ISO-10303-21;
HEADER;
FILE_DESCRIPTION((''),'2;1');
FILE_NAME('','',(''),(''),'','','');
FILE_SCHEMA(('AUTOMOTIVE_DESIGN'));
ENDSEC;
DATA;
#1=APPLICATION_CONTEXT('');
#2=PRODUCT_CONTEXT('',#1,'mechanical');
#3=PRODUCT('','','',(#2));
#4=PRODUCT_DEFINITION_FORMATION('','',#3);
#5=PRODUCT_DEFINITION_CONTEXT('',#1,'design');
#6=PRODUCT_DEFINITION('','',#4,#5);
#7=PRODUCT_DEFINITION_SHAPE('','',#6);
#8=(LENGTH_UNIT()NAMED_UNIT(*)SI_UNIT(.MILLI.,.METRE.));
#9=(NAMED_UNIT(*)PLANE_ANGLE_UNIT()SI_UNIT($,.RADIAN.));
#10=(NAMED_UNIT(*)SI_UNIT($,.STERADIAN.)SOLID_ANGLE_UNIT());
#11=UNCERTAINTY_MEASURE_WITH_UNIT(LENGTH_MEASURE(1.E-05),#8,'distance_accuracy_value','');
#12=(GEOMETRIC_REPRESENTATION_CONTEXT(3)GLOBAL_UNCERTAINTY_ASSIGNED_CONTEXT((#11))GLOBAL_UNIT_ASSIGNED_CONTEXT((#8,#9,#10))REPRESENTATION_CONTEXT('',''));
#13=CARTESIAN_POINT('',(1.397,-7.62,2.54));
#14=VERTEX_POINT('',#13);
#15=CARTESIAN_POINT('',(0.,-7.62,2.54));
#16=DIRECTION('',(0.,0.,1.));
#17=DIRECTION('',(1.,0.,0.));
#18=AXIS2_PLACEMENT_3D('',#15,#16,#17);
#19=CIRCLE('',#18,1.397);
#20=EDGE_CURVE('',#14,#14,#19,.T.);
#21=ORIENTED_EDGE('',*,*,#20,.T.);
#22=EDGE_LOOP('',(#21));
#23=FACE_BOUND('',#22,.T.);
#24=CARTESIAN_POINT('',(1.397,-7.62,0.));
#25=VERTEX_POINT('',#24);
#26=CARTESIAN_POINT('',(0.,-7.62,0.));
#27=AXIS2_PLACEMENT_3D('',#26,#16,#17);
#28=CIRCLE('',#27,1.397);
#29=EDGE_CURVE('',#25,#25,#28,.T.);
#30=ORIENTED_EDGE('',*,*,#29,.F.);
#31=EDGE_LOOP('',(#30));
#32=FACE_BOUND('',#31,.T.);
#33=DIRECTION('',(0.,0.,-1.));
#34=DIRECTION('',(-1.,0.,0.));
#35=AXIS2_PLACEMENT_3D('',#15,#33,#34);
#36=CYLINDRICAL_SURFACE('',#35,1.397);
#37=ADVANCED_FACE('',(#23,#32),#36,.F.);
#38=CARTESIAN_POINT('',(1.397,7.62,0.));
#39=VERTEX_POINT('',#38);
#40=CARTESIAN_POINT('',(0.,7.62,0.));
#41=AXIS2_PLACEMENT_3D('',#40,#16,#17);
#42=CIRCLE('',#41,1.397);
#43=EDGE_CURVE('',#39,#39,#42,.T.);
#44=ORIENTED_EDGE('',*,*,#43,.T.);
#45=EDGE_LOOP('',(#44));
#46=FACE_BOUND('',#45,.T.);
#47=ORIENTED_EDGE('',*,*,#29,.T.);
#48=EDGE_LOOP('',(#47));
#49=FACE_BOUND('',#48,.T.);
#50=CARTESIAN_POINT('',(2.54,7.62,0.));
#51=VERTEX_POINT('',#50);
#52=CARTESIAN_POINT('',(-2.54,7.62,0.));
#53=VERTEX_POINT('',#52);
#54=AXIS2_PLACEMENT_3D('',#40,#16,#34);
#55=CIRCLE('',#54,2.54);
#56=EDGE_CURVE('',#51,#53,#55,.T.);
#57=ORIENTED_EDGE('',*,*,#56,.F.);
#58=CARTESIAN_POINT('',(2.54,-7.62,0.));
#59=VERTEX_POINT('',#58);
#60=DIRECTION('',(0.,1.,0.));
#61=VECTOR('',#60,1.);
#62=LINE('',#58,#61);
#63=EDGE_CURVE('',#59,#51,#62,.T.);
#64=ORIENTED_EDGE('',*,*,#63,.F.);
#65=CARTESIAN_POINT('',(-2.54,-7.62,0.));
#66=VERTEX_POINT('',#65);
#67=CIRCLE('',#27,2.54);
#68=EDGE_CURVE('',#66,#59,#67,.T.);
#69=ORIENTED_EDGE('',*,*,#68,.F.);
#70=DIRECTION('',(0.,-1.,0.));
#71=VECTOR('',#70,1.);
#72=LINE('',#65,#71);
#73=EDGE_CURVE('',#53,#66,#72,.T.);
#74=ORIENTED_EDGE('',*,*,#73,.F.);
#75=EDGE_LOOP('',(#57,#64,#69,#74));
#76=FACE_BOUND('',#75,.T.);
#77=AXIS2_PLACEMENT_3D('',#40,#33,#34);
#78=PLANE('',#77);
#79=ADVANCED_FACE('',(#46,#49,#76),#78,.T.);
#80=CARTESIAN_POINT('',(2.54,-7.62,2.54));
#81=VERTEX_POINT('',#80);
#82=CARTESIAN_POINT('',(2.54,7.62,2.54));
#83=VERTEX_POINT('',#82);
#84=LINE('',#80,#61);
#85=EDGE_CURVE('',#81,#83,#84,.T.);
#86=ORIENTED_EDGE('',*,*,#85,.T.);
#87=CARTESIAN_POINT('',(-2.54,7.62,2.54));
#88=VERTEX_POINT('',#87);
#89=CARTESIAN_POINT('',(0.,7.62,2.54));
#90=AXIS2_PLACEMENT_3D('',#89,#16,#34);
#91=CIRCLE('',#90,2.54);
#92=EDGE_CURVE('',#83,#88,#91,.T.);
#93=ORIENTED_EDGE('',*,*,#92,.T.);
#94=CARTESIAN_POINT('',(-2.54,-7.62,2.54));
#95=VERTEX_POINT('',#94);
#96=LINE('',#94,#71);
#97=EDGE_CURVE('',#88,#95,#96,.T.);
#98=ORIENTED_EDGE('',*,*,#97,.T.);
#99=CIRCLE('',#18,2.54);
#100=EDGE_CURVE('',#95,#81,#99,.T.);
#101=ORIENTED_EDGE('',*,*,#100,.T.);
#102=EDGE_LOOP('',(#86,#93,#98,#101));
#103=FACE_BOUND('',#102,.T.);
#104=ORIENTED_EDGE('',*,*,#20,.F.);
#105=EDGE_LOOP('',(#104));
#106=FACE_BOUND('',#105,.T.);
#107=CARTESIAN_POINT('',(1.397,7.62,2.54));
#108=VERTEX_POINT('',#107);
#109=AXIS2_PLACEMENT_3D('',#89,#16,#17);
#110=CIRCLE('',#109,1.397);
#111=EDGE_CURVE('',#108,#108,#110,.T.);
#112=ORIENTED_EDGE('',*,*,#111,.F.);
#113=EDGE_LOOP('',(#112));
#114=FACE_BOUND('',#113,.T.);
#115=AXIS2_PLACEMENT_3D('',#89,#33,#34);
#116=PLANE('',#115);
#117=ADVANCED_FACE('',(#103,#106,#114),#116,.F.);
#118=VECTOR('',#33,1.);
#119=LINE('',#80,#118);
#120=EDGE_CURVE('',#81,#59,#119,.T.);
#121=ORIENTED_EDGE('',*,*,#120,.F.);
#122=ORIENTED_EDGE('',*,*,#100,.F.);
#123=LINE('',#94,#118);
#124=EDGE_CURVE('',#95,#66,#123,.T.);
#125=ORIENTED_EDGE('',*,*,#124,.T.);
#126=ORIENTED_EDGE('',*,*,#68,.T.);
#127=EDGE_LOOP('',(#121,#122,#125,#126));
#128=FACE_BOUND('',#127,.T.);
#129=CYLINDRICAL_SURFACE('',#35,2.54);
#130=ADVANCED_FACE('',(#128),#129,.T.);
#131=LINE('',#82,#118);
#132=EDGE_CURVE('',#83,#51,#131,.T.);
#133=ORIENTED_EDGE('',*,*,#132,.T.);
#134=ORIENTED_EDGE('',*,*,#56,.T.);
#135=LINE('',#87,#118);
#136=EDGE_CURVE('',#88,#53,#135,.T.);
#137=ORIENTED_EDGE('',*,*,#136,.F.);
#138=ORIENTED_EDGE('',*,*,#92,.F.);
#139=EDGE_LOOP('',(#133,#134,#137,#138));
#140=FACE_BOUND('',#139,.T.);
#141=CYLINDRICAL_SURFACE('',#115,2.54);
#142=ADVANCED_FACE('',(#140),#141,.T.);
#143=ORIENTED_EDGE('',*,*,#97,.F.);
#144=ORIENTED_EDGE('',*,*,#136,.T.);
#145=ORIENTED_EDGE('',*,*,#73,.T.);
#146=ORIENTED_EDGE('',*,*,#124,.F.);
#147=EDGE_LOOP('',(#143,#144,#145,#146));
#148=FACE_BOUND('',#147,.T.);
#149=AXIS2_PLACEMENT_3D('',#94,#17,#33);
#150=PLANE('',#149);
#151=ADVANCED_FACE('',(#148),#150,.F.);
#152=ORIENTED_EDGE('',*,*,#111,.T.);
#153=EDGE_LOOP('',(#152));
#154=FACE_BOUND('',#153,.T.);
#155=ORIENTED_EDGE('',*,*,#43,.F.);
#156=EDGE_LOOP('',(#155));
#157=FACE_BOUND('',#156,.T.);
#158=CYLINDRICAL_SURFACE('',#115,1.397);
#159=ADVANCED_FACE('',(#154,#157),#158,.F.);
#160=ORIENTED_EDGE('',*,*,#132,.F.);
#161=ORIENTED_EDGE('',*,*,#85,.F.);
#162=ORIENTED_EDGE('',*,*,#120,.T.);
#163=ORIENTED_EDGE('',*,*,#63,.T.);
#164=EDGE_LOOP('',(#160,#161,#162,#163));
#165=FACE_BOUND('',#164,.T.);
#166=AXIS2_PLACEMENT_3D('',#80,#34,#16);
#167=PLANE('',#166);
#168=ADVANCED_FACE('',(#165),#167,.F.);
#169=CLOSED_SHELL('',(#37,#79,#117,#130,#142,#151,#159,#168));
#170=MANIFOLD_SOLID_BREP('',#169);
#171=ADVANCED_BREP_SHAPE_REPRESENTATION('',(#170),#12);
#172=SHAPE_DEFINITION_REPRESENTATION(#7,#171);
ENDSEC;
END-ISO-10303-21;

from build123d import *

# Parameters (mm, degrees)
SKETCH1_R           = 1.397
BOSS_EXTRUDE1_DEPTH = 2.54


with BuildPart() as part:
    # Sketch1 → Boss-Extrude1 (new body)
    with BuildSketch(Plane.XY):
        with BuildLine():
            Line((2.54, -7.62), (2.54, 7.62))
            ThreePointArc((2.54, 7.62), (0, 10.16), (-2.54, 7.62))
            Line((-2.54, 7.62), (-2.54, -7.62))
            ThreePointArc((-2.54, -7.62), (0, -10.16), (2.54, -7.62))
        make_face()
        with Locations((0, -7.62)):
            Circle(SKETCH1_R, mode=Mode.SUBTRACT)
        with Locations((0, 7.62)):
            Circle(SKETCH1_R, mode=Mode.SUBTRACT)
    extrude(amount=BOSS_EXTRUDE1_DEPTH)


solid = part.part
